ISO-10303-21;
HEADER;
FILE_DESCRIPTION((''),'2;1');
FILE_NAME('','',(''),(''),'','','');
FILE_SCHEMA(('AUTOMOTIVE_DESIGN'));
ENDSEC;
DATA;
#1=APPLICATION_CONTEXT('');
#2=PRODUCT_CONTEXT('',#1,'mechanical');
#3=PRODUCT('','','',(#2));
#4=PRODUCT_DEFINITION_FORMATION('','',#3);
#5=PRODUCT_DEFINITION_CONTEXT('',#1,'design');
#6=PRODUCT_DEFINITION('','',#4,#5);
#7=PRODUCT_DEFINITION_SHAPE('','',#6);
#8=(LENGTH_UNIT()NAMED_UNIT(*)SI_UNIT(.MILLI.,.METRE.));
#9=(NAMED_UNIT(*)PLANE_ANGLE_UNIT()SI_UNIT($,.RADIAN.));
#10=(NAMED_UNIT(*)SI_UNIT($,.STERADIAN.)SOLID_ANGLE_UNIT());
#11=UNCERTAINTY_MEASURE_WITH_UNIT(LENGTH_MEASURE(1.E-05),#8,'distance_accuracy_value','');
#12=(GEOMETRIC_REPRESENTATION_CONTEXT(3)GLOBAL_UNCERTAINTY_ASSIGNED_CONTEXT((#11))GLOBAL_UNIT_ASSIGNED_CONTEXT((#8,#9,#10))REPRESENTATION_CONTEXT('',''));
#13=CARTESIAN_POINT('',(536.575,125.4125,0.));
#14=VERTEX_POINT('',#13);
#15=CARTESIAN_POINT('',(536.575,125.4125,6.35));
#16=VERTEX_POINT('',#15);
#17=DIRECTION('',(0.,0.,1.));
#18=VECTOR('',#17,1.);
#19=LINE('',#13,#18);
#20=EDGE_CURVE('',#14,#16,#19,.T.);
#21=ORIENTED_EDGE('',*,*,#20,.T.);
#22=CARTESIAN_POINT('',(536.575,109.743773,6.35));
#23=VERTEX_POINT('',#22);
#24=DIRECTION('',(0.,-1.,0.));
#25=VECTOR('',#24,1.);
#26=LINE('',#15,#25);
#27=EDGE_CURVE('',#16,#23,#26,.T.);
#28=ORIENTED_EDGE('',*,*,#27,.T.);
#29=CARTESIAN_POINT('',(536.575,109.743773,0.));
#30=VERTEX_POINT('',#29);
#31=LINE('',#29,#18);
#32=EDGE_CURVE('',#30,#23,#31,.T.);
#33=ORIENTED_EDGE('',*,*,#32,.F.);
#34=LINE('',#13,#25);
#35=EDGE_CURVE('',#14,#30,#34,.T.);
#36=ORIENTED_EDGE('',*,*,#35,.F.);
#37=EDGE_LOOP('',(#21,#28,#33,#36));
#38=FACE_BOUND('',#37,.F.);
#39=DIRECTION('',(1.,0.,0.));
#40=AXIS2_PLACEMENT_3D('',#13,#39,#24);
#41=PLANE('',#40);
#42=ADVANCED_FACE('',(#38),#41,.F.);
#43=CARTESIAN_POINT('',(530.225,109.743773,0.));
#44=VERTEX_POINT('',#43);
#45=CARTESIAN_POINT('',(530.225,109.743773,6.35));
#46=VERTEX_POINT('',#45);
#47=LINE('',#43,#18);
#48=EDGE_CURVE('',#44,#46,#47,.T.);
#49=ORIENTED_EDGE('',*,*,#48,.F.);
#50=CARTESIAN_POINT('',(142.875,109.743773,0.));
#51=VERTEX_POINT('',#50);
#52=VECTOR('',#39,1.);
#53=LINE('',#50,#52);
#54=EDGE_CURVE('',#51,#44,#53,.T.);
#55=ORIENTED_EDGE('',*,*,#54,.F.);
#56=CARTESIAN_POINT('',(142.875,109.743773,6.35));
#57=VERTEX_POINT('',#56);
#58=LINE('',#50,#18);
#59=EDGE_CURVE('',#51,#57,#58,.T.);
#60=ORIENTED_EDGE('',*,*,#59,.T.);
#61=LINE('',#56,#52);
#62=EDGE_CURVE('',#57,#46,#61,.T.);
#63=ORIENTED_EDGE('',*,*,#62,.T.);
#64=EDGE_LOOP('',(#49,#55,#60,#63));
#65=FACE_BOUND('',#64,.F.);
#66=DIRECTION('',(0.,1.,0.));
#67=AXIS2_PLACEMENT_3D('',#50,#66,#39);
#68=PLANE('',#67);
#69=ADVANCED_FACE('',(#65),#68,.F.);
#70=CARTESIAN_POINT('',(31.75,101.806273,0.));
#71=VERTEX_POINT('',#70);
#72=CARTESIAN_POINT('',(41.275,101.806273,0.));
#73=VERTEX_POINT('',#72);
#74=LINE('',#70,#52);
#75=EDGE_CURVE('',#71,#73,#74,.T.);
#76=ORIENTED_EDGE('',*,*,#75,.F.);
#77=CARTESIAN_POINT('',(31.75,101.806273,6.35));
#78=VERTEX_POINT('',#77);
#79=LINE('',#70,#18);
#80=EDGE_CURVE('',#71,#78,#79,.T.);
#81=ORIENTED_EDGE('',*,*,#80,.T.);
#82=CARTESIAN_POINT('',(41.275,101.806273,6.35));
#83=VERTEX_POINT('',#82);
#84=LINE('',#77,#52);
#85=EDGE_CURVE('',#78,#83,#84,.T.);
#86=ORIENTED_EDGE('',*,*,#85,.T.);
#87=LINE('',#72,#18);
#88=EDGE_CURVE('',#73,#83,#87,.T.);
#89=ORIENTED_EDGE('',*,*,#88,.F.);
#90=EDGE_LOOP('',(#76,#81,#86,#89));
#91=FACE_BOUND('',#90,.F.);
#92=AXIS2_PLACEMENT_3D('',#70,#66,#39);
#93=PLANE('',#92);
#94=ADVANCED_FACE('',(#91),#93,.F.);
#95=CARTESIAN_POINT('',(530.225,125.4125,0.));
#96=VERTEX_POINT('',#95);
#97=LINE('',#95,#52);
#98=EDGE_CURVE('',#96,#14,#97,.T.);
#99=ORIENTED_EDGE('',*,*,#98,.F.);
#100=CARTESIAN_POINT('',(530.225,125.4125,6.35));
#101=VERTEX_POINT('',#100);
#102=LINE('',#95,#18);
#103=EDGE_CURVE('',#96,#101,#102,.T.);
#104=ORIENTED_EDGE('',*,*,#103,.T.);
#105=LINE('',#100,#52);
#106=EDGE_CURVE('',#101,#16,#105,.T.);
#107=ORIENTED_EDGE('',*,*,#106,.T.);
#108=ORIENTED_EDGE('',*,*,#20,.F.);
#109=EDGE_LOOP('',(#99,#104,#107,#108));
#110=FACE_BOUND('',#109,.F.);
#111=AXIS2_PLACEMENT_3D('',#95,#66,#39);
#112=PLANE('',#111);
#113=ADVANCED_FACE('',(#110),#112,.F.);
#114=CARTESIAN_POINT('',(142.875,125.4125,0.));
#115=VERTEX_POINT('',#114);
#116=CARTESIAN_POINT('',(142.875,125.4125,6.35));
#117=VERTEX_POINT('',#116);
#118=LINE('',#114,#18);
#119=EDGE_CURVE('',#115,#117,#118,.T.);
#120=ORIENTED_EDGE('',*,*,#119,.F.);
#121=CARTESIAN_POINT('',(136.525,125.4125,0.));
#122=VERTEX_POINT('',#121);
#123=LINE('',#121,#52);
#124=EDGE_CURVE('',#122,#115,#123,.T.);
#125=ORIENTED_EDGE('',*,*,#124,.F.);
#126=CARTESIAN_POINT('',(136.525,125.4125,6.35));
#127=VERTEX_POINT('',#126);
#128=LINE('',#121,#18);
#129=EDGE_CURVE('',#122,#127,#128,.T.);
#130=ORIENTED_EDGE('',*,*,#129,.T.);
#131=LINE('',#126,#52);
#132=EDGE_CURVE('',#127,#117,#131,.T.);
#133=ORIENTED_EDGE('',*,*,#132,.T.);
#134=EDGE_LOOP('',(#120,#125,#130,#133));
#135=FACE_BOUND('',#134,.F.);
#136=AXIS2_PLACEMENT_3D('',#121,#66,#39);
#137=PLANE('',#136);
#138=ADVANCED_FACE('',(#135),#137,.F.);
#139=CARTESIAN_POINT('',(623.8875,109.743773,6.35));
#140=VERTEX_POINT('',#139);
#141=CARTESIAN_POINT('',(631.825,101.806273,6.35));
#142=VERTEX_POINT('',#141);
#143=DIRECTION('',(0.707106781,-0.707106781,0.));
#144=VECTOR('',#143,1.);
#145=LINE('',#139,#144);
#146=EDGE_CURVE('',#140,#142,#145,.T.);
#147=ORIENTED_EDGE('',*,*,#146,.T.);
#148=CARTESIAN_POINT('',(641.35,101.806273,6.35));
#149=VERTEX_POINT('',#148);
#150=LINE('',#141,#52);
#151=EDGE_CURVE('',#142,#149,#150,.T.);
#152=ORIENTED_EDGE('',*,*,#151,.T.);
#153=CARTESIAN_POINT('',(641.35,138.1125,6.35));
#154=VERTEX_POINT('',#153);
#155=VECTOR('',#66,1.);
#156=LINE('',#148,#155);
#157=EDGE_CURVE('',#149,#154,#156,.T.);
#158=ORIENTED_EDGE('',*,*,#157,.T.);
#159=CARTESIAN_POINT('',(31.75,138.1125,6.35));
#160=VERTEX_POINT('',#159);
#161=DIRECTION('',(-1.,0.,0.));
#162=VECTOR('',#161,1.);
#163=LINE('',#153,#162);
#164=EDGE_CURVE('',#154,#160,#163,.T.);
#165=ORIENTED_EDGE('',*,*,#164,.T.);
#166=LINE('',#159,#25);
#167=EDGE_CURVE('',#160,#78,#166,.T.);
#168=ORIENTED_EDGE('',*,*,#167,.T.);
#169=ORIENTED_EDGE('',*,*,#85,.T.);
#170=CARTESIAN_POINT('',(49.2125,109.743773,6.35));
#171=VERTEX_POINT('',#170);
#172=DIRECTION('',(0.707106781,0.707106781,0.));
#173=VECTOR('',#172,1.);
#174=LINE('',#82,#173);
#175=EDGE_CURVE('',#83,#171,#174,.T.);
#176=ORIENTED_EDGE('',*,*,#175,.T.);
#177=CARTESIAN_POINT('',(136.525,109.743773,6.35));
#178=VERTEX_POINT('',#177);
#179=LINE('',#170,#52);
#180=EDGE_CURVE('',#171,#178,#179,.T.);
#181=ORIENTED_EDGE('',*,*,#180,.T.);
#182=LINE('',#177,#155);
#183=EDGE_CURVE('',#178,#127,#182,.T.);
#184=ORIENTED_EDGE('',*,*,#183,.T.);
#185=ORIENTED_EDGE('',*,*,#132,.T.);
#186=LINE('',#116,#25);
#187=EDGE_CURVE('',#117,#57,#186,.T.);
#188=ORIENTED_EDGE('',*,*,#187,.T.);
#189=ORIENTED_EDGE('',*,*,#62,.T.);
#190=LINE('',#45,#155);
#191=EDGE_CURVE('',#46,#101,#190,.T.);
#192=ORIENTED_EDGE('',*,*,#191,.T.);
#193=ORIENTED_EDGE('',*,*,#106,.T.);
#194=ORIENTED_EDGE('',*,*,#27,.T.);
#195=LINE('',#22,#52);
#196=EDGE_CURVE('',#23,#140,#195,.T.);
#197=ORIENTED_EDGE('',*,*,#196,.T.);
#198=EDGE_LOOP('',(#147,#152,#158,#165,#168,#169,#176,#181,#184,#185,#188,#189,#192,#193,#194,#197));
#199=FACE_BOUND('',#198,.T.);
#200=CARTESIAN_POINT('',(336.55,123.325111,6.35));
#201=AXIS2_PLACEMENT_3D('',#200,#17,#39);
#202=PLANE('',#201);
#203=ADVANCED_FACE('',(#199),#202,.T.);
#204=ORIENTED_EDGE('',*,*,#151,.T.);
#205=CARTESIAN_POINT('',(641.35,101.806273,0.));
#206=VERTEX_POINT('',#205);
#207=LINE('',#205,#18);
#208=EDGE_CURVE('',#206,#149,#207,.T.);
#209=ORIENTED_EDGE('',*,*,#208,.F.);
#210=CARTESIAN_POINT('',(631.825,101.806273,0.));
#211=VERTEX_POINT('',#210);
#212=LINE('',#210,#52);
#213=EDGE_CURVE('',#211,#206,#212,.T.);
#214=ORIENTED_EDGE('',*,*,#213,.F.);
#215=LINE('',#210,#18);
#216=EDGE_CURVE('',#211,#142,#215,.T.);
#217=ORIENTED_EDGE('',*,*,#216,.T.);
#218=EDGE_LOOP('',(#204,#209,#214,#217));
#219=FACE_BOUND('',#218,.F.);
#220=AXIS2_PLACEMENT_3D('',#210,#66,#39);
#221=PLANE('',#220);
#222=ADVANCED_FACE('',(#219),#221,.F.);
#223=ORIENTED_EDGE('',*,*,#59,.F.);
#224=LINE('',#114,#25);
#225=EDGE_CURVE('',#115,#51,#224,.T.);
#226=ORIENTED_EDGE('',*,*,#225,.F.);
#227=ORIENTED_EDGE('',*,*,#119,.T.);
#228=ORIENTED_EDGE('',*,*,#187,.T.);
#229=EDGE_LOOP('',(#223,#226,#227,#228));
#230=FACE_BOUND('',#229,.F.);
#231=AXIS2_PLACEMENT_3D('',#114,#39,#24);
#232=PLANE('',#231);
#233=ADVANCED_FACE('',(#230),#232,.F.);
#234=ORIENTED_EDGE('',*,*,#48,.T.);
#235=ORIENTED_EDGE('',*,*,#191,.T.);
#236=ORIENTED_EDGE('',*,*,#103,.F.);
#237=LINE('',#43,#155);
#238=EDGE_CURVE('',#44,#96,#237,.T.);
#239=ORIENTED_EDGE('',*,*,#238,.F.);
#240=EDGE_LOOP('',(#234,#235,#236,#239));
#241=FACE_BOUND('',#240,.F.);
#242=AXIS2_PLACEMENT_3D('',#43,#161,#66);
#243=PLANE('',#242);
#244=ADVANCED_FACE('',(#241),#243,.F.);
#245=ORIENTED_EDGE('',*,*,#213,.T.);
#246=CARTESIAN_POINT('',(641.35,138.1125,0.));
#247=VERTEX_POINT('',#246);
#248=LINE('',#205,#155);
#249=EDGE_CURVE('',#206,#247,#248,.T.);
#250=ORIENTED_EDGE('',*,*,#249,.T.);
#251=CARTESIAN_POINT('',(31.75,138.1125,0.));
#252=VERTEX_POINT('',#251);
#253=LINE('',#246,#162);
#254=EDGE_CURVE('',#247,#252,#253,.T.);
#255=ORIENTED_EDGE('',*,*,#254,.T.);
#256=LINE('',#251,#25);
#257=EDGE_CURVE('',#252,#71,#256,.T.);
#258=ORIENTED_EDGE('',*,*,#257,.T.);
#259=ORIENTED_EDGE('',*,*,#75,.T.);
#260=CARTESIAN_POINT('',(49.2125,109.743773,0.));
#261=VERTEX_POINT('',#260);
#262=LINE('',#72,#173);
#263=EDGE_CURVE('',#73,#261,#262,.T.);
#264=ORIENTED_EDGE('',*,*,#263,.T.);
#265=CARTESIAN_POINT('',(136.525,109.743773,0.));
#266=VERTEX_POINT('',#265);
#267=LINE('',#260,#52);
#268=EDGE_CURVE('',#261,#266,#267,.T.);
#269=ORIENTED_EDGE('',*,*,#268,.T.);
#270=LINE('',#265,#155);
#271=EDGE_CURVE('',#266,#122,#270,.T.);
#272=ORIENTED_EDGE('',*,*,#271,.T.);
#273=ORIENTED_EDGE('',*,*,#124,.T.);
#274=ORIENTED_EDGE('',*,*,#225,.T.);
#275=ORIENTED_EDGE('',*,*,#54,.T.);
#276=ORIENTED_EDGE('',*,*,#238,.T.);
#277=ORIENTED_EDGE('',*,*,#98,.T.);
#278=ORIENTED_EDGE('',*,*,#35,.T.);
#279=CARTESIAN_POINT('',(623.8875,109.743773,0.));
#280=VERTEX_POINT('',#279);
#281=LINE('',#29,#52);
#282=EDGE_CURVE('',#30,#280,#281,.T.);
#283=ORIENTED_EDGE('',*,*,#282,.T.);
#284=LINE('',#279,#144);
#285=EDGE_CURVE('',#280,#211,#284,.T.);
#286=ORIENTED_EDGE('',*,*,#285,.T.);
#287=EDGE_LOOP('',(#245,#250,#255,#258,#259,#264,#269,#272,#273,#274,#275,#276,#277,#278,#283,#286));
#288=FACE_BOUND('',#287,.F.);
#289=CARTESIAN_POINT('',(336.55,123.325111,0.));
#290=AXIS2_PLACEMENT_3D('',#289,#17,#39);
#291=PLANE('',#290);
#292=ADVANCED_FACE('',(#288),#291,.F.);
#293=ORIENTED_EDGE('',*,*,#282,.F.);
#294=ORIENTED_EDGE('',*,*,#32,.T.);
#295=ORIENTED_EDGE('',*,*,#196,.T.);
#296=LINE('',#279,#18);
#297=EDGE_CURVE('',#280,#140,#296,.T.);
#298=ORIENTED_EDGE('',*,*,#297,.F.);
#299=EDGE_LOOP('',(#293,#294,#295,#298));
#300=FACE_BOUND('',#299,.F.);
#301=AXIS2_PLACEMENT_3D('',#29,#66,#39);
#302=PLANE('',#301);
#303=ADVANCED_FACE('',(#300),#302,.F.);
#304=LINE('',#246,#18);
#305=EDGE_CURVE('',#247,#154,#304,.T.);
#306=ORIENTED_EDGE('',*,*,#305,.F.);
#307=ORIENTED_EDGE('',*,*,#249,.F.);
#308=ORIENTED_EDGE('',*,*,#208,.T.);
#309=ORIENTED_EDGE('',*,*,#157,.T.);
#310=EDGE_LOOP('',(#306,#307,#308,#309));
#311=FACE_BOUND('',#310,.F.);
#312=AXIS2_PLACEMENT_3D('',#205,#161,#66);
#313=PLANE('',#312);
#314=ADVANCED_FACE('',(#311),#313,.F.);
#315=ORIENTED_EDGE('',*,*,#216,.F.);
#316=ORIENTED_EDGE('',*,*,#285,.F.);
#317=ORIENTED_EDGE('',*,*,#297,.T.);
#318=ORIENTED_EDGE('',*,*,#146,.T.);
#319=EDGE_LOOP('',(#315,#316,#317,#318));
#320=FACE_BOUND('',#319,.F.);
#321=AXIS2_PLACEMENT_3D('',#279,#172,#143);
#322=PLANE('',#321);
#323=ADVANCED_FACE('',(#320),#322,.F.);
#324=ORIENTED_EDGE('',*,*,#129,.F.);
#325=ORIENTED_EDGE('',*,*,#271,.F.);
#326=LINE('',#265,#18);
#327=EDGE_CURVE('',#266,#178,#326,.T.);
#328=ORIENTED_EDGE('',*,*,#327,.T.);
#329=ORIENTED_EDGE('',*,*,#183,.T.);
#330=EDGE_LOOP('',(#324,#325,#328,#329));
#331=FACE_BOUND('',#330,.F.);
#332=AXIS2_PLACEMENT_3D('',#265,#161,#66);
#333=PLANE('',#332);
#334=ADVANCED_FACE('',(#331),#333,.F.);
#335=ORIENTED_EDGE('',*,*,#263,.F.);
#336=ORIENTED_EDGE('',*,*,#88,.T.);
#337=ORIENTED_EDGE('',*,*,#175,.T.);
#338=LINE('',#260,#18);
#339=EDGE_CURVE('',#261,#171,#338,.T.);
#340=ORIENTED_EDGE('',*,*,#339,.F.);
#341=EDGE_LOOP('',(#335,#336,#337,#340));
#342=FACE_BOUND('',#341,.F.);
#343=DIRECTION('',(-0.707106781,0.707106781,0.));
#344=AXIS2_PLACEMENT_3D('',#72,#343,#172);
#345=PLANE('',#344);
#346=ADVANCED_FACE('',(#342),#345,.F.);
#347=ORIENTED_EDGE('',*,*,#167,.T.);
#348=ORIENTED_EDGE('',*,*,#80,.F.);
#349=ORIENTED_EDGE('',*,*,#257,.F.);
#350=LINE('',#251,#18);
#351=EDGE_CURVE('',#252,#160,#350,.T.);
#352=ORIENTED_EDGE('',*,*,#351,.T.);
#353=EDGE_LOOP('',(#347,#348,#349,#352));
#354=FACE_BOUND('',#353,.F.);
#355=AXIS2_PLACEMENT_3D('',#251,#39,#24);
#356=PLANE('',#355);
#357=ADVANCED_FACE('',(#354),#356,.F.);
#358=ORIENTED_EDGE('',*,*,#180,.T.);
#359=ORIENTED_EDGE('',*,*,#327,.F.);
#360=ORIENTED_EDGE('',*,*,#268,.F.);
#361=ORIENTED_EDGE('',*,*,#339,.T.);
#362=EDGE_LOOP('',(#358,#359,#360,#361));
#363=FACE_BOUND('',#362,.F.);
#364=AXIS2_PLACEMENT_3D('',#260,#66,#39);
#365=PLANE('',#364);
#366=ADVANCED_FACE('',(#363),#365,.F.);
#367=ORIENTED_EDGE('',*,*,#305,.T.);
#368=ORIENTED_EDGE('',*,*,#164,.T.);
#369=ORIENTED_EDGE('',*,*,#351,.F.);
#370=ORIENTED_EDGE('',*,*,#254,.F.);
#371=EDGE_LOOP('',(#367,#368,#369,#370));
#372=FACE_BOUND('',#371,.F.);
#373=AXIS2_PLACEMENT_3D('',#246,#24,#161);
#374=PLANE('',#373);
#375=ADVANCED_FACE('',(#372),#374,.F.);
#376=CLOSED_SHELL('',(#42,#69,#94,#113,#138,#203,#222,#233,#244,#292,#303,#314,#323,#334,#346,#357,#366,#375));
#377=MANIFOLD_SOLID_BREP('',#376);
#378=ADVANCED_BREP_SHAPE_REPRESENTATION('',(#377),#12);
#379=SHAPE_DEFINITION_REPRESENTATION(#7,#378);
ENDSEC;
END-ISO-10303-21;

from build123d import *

# Parameters (mm, degrees)
F1_DEPTH = 6.35


with BuildPart() as f1:
    # F0 (on Top) → F1 (new body)
    with BuildSketch(Plane.XY):
        Polygon((641.35, 138.1125), (31.75, 138.1125), (31.75, 101.806273), (41.275, 101.806273), (49.2125, 109.743773), (136.525, 109.743773), (136.525, 125.4125), (142.875, 125.4125), (142.875, 109.743773), (530.225, 109.743773), (530.225, 125.4125), (536.575, 125.4125), (536.575, 109.743773), (623.8875, 109.743773), (631.825, 101.806273), (641.35, 101.806273), align=None)
    extrude(amount=F1_DEPTH)


solid = f1.part
